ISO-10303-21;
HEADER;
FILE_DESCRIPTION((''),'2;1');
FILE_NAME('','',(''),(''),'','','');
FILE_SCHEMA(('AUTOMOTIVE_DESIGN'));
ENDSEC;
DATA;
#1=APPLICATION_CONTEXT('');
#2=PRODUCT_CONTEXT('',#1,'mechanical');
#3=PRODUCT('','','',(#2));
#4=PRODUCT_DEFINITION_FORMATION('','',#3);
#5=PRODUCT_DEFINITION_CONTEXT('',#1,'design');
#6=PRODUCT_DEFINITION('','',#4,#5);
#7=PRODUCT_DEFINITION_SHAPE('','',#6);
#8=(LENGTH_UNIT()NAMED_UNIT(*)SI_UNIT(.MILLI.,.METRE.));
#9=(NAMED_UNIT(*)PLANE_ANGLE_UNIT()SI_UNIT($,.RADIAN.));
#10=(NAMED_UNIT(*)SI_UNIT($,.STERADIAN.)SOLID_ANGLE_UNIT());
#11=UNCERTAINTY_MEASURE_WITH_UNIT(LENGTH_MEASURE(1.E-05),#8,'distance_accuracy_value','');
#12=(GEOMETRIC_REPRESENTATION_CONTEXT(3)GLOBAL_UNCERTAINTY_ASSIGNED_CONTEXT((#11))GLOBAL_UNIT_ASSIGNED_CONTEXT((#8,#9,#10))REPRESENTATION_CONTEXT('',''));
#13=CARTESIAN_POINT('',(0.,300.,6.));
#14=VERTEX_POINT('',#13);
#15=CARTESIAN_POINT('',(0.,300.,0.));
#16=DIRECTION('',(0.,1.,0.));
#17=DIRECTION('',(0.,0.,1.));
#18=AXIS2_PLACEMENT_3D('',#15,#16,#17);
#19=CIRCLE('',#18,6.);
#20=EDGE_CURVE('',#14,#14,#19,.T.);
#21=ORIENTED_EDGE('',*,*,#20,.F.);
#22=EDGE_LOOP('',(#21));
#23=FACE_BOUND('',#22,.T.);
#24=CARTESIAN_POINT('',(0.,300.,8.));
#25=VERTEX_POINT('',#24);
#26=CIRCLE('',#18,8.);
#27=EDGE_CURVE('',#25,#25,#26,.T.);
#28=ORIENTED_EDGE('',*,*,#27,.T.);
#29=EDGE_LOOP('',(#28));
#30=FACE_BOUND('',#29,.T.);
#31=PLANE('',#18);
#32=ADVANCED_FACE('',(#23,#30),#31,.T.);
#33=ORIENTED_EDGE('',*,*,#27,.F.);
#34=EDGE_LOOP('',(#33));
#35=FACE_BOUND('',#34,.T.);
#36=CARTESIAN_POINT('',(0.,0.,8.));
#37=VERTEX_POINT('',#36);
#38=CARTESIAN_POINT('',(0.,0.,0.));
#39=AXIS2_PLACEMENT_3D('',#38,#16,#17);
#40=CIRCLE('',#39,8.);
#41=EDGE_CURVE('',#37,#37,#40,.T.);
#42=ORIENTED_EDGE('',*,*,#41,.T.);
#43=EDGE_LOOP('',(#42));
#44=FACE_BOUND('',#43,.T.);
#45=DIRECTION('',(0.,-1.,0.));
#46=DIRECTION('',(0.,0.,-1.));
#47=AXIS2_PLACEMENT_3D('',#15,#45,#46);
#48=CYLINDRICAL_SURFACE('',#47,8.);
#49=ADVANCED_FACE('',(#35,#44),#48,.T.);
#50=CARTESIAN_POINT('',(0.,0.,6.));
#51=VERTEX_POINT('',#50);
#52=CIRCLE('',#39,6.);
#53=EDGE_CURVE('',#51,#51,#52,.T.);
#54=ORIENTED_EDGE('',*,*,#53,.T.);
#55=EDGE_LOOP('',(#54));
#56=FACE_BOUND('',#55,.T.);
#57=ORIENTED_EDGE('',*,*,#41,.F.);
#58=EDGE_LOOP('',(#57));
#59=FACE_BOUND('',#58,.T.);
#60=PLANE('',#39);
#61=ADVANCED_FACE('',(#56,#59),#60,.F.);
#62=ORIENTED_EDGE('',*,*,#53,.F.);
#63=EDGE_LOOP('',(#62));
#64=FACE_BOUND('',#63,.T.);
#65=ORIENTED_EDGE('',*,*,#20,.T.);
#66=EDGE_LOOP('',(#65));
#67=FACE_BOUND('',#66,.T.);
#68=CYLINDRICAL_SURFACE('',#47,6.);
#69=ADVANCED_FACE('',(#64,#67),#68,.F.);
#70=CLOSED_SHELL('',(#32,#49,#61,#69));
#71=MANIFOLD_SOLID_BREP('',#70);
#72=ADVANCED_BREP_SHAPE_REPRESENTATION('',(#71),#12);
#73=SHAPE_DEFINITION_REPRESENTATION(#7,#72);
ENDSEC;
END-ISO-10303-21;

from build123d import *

# Parameters (mm, degrees)
SKETCH1_R           = 8
SKETCH1_R_2         = 6
BOSS_EXTRUDE1_DEPTH = 300


with BuildPart() as part:
    # Sketch1 → Boss-Extrude1 (new body)
    with BuildSketch(Plane(origin=(0, 0, 0), x_dir=(1, 0, 0), z_dir=(0, 1, 0))):
        Circle(SKETCH1_R)
        Circle(SKETCH1_R_2, mode=Mode.SUBTRACT)
    extrude(amount=BOSS_EXTRUDE1_DEPTH)


solid = part.part
